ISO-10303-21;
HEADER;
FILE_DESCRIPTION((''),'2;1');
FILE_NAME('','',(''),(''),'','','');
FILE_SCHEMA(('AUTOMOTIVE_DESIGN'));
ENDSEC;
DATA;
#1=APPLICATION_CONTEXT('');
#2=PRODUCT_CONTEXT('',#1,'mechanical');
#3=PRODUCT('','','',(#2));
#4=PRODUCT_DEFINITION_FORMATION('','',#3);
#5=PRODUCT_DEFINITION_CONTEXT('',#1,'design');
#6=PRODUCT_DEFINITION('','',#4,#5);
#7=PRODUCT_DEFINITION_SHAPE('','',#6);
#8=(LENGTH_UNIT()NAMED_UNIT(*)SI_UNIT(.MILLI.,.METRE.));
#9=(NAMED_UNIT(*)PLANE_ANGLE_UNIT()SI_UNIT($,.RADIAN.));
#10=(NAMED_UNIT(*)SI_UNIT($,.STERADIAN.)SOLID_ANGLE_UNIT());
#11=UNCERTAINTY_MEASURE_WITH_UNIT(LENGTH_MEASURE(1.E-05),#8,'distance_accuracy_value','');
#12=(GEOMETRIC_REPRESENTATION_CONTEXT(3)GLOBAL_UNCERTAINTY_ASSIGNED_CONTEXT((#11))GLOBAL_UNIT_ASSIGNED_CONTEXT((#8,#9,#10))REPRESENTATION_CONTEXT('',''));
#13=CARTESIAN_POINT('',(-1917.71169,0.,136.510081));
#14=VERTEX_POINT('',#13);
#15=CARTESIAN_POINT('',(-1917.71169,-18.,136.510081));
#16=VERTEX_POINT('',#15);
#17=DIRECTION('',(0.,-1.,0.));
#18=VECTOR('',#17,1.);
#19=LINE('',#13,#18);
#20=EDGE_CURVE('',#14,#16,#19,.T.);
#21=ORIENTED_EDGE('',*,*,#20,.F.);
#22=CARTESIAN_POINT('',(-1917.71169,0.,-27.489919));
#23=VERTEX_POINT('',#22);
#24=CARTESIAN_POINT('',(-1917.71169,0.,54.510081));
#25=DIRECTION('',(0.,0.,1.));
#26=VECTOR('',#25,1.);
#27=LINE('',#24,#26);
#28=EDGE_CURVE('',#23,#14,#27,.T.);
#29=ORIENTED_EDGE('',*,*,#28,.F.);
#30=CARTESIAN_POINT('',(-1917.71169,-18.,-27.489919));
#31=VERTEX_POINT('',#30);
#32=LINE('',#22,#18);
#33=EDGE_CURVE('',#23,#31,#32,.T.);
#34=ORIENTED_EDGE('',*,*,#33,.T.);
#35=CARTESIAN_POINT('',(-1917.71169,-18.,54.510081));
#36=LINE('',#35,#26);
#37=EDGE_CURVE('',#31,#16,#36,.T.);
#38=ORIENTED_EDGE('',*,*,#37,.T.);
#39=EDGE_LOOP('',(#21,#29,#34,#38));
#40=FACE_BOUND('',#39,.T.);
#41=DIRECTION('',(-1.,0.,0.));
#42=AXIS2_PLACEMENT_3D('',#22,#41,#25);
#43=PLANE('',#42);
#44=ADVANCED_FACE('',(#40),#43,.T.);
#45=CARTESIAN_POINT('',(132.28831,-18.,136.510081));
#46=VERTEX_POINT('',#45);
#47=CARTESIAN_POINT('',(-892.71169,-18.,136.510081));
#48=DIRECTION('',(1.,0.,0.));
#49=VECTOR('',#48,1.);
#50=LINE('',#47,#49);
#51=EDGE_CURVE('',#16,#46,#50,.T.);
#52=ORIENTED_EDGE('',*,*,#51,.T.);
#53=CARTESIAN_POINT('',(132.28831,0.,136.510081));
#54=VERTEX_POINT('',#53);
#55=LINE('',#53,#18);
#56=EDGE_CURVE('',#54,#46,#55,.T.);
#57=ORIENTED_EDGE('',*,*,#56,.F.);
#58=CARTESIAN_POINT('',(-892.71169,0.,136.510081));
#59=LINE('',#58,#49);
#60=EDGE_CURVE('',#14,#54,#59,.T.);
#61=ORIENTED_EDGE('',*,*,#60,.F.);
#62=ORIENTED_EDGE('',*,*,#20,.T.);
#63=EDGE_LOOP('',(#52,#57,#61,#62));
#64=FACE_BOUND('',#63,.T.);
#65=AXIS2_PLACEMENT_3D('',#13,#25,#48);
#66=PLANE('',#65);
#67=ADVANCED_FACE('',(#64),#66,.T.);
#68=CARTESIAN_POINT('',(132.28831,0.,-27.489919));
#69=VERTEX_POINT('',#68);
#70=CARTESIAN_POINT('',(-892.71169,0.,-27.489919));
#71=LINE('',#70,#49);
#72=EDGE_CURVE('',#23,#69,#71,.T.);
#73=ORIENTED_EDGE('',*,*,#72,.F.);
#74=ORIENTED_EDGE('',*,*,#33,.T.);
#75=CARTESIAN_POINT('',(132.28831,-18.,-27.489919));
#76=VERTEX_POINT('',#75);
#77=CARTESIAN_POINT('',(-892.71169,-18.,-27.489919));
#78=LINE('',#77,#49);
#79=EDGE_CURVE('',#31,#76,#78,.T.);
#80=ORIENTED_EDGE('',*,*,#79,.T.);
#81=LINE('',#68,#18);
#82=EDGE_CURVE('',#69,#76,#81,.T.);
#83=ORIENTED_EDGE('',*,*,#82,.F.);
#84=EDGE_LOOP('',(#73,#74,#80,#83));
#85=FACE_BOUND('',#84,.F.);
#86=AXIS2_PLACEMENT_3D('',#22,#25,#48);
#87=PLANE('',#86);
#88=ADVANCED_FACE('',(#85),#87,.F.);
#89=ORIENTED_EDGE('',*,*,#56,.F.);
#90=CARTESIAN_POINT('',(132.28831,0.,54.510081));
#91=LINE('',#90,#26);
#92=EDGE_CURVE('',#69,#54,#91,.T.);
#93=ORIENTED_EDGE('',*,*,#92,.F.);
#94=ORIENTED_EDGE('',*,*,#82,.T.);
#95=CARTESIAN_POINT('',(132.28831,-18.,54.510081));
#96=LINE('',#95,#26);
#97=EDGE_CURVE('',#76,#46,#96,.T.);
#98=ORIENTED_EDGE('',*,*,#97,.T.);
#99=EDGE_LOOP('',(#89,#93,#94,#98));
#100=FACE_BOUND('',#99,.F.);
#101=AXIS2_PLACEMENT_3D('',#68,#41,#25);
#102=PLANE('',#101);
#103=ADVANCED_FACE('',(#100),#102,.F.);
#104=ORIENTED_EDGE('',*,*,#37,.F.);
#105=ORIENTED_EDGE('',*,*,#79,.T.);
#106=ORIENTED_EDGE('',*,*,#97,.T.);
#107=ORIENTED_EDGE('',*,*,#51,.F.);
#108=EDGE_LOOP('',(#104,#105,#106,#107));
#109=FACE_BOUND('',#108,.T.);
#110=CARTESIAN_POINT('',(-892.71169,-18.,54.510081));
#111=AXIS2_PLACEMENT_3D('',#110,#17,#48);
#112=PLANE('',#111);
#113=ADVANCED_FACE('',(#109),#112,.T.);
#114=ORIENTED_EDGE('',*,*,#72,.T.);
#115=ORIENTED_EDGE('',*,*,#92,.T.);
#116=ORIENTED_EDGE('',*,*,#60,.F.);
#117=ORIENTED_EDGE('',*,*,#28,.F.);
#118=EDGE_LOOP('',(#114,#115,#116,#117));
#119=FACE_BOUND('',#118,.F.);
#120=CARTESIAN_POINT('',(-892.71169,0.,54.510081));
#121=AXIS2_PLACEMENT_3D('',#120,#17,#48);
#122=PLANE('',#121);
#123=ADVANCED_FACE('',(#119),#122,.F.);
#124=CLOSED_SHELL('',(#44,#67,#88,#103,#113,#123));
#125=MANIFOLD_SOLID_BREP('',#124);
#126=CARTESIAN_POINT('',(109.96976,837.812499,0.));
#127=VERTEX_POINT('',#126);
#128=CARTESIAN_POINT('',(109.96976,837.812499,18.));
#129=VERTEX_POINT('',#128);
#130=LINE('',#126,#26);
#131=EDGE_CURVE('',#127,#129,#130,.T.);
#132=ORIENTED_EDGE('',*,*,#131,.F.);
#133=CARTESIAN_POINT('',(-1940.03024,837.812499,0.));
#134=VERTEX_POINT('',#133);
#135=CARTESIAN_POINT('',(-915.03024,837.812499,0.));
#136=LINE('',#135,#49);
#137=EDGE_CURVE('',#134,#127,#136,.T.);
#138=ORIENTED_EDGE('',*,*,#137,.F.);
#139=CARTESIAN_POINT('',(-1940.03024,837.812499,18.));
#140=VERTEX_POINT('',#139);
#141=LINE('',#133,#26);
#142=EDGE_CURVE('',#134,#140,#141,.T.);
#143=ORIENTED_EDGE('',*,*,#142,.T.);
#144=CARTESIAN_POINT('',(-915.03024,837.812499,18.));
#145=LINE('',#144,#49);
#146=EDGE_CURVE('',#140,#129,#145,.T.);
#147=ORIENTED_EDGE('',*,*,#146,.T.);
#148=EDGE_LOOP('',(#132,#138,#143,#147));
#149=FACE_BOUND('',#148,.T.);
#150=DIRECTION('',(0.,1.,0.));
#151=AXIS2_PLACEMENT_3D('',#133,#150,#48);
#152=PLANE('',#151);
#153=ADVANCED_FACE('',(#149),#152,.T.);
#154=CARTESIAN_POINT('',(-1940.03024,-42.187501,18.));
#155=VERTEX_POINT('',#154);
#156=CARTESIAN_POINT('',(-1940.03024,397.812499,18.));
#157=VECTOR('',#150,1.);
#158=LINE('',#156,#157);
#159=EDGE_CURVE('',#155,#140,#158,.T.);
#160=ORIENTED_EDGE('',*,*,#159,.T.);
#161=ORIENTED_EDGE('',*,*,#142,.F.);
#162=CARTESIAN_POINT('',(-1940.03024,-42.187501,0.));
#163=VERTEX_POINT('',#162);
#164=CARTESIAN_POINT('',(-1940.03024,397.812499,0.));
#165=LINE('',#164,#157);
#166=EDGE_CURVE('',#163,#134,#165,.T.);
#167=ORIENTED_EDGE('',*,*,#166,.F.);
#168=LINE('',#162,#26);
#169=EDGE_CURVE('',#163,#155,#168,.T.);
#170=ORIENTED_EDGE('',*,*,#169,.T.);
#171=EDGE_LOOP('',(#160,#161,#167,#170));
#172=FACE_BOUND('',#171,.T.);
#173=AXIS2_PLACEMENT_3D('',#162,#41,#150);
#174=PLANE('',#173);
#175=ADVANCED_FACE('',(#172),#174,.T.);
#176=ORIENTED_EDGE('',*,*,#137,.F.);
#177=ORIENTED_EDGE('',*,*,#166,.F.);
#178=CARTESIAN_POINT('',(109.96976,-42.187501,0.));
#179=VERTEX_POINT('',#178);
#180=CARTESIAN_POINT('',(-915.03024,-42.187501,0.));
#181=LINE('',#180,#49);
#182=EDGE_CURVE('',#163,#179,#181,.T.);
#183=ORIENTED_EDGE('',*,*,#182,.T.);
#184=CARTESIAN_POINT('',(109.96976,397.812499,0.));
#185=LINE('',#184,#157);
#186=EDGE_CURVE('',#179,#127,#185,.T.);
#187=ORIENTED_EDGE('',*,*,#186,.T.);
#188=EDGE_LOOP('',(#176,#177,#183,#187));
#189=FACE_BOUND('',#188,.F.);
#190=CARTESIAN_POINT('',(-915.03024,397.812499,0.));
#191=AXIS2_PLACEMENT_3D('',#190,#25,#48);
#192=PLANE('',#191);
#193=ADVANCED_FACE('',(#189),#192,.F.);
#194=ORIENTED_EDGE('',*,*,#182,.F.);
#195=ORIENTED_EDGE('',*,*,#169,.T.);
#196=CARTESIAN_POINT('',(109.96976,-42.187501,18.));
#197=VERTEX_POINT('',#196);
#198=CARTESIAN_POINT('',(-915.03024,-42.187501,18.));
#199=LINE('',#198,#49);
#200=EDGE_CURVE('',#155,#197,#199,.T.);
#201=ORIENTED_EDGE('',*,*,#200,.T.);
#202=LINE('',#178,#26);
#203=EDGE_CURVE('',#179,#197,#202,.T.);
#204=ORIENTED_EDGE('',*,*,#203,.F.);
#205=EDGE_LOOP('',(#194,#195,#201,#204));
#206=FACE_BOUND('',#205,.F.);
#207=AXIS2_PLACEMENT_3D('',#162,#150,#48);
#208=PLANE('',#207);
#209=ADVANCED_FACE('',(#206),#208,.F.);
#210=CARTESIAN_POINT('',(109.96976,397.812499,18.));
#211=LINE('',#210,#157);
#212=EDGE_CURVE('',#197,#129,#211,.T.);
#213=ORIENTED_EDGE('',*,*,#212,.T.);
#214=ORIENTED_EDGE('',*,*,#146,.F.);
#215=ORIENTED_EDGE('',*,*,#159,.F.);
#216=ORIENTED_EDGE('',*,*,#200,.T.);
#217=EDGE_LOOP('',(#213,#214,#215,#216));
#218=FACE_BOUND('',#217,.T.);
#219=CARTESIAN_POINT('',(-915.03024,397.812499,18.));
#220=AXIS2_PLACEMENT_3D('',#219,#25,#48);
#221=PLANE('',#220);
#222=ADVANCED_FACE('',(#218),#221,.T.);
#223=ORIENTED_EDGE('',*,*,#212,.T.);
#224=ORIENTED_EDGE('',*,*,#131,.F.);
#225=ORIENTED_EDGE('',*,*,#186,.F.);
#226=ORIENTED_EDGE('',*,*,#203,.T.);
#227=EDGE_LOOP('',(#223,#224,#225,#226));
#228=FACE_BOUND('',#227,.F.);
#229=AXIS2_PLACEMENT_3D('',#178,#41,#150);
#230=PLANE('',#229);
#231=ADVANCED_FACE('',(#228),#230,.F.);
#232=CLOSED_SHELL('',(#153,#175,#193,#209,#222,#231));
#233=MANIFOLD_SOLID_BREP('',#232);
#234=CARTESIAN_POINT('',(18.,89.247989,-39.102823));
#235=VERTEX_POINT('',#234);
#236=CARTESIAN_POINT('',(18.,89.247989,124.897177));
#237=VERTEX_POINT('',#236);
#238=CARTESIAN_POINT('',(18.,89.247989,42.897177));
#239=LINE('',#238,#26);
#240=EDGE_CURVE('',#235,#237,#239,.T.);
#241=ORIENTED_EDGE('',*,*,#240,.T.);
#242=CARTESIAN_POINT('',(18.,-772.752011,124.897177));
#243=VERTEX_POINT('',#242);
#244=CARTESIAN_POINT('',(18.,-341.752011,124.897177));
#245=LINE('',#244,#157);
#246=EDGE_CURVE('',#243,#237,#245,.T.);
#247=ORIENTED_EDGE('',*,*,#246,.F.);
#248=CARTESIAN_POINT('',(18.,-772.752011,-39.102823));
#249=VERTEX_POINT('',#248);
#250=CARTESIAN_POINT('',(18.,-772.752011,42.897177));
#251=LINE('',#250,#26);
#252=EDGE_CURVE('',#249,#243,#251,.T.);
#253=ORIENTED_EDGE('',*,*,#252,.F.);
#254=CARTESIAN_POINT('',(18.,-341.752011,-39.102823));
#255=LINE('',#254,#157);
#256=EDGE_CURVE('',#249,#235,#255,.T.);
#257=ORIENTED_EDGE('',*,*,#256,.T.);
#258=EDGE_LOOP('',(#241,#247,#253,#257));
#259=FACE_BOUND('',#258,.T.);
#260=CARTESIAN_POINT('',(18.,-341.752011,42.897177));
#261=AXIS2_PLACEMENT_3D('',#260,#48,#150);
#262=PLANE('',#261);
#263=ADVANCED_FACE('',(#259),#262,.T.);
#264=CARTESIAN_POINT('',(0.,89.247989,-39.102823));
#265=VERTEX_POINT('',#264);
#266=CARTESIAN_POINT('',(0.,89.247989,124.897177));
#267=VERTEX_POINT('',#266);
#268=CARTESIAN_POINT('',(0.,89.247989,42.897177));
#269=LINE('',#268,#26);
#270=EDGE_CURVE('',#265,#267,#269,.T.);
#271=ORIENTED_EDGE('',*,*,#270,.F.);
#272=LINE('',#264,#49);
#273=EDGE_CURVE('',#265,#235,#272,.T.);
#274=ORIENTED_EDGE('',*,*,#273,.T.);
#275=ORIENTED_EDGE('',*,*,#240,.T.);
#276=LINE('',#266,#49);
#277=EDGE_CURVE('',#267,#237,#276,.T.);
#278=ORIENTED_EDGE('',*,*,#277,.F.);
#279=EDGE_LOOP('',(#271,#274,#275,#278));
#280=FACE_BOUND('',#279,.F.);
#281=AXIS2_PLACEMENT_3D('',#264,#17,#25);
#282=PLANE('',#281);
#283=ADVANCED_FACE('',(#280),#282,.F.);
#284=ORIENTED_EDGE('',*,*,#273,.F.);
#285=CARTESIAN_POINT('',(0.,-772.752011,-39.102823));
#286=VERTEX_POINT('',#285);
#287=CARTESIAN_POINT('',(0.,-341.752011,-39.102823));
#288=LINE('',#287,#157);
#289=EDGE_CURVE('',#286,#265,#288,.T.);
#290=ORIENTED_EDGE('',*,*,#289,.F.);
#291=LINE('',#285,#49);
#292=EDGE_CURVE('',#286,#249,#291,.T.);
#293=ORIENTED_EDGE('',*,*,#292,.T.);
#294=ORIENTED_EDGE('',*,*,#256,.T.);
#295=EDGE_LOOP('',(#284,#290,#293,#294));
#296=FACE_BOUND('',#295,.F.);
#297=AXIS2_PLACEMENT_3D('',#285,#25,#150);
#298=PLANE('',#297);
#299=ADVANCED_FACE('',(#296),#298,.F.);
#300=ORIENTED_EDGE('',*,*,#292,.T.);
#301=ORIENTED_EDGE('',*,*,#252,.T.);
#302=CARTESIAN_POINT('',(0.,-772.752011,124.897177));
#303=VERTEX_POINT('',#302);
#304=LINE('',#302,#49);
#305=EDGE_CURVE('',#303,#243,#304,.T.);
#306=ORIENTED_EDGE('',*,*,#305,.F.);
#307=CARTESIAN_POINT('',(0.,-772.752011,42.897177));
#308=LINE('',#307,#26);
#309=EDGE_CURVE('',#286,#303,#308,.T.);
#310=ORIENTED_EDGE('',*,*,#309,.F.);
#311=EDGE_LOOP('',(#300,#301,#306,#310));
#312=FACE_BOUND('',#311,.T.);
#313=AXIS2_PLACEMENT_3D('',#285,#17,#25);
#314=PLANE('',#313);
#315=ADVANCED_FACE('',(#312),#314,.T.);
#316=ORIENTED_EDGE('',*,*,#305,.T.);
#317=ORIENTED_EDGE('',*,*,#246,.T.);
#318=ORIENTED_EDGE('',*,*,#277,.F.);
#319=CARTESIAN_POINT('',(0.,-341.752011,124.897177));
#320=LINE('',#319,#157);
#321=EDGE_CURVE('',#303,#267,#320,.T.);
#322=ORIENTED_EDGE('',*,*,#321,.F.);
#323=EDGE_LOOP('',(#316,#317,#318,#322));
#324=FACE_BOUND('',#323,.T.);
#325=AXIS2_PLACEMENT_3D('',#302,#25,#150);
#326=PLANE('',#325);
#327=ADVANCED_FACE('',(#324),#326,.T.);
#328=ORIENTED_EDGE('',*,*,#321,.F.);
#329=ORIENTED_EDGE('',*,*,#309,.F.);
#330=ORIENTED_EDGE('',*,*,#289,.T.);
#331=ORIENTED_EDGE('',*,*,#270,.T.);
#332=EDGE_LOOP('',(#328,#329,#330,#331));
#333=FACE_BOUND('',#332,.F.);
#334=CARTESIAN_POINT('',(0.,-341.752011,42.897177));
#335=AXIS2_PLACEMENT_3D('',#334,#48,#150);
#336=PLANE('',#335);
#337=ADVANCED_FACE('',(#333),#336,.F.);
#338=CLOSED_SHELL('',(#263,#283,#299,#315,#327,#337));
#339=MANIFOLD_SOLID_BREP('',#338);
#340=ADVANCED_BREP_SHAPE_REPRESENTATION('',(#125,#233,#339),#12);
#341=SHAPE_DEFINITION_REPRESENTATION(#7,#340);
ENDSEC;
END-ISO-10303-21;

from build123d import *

# Parameters (mm, degrees)
F0_W     = 2050
F0_H     = 880
F1_DEPTH = 18
F2_W     = 2050
F2_H     = 164
F3_DEPTH = 18
F4_W     = 862
F4_H     = 164
F5_DEPTH = 18


with BuildPart() as f1:
    # F0 (on Top) → F1 (new body)
    with BuildSketch(Plane.XY):
        with Locations((-915.03024, 397.812499)):
            Rectangle(F0_W, F0_H)
    extrude(amount=F1_DEPTH)


with BuildPart() as f3:
    # F2 (on Front) → F3 (new body)
    with BuildSketch(Plane.XZ):
        with Locations((-892.71169, 54.510081)):
            Rectangle(F2_W, F2_H)
    extrude(amount=F3_DEPTH)


with BuildPart() as f5:
    # F4 (on Right) → F5 (new body)
    with BuildSketch(Plane.YZ):
        with Locations((-341.752011, 42.897177)):
            Rectangle(F4_W, F4_H)
    extrude(amount=F5_DEPTH)


solid = Compound([f1.part, f3.part, f5.part])
